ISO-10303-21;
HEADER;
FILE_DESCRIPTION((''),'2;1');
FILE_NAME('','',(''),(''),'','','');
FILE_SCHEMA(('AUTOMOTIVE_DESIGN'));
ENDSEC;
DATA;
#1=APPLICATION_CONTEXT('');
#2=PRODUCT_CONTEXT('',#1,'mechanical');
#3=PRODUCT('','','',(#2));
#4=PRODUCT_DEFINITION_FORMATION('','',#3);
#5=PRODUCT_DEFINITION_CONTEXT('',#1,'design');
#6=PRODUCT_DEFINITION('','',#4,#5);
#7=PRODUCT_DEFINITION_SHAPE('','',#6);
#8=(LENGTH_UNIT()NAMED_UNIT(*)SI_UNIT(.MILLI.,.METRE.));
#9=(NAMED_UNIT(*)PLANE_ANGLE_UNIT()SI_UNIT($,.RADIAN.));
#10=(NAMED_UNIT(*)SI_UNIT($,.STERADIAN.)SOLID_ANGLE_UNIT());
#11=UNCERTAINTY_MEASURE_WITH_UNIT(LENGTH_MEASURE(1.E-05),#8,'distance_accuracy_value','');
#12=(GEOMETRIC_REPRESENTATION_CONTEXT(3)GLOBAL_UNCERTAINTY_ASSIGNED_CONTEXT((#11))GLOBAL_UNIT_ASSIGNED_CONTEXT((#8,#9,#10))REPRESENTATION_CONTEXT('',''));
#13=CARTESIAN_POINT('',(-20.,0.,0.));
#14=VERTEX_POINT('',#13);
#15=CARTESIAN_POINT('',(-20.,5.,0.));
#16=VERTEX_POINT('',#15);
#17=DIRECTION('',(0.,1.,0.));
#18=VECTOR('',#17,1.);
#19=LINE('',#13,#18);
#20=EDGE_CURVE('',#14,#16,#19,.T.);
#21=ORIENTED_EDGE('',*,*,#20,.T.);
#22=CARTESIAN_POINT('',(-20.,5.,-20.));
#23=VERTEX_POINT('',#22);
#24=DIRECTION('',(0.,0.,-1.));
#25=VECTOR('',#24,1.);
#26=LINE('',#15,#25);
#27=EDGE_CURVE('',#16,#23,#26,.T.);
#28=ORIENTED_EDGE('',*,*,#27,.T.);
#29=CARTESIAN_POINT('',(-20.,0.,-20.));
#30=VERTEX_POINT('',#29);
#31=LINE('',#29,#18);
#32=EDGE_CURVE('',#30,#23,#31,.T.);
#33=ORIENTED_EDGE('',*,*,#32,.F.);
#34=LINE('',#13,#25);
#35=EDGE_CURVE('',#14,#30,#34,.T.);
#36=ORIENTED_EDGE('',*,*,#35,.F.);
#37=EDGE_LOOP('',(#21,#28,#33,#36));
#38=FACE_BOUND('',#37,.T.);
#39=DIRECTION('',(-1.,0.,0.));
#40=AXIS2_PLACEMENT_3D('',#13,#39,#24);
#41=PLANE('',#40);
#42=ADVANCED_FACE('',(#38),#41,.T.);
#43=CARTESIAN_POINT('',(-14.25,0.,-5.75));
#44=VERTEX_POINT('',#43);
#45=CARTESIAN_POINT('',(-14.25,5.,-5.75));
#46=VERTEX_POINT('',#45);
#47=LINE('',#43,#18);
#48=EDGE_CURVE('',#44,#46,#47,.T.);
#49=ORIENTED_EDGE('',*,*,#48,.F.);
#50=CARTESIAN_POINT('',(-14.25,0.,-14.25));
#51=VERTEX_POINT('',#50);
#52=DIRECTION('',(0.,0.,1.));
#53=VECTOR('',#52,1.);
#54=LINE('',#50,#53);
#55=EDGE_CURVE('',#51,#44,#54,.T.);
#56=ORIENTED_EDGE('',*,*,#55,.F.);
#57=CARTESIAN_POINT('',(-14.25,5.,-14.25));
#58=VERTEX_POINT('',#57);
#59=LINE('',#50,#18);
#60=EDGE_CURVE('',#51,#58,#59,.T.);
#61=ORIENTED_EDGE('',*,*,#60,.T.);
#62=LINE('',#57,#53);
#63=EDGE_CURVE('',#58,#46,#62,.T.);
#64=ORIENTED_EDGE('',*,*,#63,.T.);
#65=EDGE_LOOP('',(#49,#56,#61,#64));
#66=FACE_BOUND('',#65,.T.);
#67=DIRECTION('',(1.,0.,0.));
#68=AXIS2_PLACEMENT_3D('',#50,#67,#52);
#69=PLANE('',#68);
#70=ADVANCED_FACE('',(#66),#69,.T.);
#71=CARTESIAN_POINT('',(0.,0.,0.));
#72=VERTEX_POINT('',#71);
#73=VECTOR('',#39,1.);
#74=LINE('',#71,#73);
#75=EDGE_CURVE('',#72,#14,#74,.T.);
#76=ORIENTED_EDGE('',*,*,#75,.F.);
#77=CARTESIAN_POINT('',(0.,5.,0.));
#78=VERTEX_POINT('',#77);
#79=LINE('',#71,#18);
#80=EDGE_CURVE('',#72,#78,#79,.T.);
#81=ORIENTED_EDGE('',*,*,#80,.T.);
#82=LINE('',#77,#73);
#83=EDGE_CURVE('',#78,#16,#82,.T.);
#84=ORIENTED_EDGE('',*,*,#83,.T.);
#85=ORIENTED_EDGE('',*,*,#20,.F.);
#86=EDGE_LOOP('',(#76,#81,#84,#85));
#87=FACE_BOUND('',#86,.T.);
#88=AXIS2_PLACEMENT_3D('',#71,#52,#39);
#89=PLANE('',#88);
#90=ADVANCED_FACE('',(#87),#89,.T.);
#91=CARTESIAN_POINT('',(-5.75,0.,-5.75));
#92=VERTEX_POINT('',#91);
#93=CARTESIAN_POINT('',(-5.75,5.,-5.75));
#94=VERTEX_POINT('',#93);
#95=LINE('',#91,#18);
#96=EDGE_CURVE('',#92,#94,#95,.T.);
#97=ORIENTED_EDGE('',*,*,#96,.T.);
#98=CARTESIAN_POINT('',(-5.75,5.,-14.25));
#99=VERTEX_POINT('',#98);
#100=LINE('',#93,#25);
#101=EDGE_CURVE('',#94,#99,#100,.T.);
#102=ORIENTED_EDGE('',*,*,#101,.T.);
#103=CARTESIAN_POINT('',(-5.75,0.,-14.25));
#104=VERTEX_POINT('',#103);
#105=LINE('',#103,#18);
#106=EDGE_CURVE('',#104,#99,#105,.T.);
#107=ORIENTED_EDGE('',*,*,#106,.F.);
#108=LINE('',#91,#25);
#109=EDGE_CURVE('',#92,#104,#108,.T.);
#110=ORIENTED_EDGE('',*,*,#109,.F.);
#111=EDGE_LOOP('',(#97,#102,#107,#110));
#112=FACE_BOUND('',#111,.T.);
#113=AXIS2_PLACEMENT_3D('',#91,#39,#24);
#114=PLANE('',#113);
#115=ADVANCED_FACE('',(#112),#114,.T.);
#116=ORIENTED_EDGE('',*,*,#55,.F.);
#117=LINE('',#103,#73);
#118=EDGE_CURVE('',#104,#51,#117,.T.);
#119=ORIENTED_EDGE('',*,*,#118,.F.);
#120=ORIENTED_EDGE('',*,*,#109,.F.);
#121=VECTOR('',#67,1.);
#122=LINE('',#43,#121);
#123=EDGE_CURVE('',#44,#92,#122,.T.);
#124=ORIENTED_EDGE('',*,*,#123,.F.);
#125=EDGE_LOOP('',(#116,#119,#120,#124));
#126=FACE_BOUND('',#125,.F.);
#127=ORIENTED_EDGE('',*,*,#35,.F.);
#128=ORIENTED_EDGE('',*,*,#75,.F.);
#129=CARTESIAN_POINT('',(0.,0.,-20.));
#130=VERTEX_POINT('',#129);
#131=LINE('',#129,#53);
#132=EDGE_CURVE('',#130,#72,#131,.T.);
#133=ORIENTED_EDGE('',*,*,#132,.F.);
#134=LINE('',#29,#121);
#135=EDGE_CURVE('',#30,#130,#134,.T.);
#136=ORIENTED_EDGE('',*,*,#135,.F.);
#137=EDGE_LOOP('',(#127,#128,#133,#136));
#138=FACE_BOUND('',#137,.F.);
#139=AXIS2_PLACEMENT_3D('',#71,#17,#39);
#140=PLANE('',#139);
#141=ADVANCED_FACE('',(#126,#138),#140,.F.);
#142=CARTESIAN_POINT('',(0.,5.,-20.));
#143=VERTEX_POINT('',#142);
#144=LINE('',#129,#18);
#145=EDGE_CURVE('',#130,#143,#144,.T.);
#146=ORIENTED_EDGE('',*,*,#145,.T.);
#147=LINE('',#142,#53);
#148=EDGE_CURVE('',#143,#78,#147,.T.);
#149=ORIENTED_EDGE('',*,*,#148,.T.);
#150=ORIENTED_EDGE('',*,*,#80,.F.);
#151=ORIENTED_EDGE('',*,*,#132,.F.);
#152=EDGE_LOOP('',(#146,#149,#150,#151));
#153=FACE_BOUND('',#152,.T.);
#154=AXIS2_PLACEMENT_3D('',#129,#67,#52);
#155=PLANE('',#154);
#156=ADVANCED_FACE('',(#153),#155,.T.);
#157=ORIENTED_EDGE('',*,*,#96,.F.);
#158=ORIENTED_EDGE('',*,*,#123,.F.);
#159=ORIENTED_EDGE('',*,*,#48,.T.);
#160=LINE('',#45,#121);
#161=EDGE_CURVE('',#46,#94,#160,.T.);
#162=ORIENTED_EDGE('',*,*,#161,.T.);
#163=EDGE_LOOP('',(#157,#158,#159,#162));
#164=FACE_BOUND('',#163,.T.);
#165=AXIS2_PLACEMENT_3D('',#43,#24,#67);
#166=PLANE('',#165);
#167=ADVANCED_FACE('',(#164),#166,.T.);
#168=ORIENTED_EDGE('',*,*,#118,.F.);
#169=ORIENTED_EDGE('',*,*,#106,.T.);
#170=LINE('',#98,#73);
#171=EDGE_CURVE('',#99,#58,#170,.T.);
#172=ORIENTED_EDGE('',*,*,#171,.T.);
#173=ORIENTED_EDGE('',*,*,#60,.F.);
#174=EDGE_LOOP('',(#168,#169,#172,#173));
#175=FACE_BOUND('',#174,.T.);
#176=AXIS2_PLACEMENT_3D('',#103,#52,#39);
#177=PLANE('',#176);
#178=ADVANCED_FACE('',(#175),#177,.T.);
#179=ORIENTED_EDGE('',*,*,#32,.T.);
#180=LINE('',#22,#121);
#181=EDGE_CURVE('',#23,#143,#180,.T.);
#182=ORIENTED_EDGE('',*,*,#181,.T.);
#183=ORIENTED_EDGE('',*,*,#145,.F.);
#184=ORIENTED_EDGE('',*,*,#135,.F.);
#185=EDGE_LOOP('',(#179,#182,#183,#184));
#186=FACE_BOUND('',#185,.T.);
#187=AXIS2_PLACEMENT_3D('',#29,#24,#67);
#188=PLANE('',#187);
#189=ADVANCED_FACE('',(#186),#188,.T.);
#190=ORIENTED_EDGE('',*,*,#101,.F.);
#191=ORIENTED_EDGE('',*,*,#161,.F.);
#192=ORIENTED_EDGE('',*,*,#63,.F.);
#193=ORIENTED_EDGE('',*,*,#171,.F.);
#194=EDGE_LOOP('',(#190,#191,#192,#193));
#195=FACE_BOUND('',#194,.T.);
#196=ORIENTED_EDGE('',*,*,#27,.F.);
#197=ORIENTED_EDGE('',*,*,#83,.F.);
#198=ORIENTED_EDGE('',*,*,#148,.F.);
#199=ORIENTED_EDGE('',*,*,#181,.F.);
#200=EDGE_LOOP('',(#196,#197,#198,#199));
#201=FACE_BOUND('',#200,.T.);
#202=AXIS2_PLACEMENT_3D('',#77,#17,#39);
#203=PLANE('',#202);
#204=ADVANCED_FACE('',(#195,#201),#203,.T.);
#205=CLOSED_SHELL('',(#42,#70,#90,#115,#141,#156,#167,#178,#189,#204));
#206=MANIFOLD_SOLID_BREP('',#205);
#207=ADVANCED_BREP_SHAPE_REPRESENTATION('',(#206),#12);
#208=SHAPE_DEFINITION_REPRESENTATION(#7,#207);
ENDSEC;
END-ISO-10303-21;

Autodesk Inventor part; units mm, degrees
ref_plane "YZ Plane" through (0, 0, 0) normal (1, 0, 0) x (0, 1, 0)
ref_plane "XZ Plane" through (0, 0, 0) normal (0, 1, 0) x (-1, 0, 0)
ref_plane "XY Plane" through (0, 0, 0) normal (0, 0, 1) x (1, 0, 0)
sketch "Sketch1" plane through (0, 0, 0) normal (0, 1, 0) x (-1, 0, 0)
  line L0 (0, 0) -> (20, 0)
  line L1 (20, 0) -> (20, -20)
  line L2 (20, -20) -> (0, -20)
  line L3 (0, -20) -> (0, 0)
  line L4 (14.25, -5.75) -> (5.75, -5.75)
  line L5 (5.75, -5.75) -> (5.75, -14.25)
  line L6 (5.75, -14.25) -> (14.25, -14.25)
  line L7 (14.25, -14.25) -> (14.25, -5.75)
  line L8 (20, -20) -> (0, 0) construction
  line L9 (14.25, -5.75) -> (5.75, -14.25) construction
  point P0 (10, -10)
  dimension "d0" = 20
  dimension "d1" = 20
  dimension "d2" = 8.5
  dimension "d3" = 8.5
extrude "Extrusion1" add sketch "Sketch1" along normal blind 5
properties part number "SquareHoleCalibration"
